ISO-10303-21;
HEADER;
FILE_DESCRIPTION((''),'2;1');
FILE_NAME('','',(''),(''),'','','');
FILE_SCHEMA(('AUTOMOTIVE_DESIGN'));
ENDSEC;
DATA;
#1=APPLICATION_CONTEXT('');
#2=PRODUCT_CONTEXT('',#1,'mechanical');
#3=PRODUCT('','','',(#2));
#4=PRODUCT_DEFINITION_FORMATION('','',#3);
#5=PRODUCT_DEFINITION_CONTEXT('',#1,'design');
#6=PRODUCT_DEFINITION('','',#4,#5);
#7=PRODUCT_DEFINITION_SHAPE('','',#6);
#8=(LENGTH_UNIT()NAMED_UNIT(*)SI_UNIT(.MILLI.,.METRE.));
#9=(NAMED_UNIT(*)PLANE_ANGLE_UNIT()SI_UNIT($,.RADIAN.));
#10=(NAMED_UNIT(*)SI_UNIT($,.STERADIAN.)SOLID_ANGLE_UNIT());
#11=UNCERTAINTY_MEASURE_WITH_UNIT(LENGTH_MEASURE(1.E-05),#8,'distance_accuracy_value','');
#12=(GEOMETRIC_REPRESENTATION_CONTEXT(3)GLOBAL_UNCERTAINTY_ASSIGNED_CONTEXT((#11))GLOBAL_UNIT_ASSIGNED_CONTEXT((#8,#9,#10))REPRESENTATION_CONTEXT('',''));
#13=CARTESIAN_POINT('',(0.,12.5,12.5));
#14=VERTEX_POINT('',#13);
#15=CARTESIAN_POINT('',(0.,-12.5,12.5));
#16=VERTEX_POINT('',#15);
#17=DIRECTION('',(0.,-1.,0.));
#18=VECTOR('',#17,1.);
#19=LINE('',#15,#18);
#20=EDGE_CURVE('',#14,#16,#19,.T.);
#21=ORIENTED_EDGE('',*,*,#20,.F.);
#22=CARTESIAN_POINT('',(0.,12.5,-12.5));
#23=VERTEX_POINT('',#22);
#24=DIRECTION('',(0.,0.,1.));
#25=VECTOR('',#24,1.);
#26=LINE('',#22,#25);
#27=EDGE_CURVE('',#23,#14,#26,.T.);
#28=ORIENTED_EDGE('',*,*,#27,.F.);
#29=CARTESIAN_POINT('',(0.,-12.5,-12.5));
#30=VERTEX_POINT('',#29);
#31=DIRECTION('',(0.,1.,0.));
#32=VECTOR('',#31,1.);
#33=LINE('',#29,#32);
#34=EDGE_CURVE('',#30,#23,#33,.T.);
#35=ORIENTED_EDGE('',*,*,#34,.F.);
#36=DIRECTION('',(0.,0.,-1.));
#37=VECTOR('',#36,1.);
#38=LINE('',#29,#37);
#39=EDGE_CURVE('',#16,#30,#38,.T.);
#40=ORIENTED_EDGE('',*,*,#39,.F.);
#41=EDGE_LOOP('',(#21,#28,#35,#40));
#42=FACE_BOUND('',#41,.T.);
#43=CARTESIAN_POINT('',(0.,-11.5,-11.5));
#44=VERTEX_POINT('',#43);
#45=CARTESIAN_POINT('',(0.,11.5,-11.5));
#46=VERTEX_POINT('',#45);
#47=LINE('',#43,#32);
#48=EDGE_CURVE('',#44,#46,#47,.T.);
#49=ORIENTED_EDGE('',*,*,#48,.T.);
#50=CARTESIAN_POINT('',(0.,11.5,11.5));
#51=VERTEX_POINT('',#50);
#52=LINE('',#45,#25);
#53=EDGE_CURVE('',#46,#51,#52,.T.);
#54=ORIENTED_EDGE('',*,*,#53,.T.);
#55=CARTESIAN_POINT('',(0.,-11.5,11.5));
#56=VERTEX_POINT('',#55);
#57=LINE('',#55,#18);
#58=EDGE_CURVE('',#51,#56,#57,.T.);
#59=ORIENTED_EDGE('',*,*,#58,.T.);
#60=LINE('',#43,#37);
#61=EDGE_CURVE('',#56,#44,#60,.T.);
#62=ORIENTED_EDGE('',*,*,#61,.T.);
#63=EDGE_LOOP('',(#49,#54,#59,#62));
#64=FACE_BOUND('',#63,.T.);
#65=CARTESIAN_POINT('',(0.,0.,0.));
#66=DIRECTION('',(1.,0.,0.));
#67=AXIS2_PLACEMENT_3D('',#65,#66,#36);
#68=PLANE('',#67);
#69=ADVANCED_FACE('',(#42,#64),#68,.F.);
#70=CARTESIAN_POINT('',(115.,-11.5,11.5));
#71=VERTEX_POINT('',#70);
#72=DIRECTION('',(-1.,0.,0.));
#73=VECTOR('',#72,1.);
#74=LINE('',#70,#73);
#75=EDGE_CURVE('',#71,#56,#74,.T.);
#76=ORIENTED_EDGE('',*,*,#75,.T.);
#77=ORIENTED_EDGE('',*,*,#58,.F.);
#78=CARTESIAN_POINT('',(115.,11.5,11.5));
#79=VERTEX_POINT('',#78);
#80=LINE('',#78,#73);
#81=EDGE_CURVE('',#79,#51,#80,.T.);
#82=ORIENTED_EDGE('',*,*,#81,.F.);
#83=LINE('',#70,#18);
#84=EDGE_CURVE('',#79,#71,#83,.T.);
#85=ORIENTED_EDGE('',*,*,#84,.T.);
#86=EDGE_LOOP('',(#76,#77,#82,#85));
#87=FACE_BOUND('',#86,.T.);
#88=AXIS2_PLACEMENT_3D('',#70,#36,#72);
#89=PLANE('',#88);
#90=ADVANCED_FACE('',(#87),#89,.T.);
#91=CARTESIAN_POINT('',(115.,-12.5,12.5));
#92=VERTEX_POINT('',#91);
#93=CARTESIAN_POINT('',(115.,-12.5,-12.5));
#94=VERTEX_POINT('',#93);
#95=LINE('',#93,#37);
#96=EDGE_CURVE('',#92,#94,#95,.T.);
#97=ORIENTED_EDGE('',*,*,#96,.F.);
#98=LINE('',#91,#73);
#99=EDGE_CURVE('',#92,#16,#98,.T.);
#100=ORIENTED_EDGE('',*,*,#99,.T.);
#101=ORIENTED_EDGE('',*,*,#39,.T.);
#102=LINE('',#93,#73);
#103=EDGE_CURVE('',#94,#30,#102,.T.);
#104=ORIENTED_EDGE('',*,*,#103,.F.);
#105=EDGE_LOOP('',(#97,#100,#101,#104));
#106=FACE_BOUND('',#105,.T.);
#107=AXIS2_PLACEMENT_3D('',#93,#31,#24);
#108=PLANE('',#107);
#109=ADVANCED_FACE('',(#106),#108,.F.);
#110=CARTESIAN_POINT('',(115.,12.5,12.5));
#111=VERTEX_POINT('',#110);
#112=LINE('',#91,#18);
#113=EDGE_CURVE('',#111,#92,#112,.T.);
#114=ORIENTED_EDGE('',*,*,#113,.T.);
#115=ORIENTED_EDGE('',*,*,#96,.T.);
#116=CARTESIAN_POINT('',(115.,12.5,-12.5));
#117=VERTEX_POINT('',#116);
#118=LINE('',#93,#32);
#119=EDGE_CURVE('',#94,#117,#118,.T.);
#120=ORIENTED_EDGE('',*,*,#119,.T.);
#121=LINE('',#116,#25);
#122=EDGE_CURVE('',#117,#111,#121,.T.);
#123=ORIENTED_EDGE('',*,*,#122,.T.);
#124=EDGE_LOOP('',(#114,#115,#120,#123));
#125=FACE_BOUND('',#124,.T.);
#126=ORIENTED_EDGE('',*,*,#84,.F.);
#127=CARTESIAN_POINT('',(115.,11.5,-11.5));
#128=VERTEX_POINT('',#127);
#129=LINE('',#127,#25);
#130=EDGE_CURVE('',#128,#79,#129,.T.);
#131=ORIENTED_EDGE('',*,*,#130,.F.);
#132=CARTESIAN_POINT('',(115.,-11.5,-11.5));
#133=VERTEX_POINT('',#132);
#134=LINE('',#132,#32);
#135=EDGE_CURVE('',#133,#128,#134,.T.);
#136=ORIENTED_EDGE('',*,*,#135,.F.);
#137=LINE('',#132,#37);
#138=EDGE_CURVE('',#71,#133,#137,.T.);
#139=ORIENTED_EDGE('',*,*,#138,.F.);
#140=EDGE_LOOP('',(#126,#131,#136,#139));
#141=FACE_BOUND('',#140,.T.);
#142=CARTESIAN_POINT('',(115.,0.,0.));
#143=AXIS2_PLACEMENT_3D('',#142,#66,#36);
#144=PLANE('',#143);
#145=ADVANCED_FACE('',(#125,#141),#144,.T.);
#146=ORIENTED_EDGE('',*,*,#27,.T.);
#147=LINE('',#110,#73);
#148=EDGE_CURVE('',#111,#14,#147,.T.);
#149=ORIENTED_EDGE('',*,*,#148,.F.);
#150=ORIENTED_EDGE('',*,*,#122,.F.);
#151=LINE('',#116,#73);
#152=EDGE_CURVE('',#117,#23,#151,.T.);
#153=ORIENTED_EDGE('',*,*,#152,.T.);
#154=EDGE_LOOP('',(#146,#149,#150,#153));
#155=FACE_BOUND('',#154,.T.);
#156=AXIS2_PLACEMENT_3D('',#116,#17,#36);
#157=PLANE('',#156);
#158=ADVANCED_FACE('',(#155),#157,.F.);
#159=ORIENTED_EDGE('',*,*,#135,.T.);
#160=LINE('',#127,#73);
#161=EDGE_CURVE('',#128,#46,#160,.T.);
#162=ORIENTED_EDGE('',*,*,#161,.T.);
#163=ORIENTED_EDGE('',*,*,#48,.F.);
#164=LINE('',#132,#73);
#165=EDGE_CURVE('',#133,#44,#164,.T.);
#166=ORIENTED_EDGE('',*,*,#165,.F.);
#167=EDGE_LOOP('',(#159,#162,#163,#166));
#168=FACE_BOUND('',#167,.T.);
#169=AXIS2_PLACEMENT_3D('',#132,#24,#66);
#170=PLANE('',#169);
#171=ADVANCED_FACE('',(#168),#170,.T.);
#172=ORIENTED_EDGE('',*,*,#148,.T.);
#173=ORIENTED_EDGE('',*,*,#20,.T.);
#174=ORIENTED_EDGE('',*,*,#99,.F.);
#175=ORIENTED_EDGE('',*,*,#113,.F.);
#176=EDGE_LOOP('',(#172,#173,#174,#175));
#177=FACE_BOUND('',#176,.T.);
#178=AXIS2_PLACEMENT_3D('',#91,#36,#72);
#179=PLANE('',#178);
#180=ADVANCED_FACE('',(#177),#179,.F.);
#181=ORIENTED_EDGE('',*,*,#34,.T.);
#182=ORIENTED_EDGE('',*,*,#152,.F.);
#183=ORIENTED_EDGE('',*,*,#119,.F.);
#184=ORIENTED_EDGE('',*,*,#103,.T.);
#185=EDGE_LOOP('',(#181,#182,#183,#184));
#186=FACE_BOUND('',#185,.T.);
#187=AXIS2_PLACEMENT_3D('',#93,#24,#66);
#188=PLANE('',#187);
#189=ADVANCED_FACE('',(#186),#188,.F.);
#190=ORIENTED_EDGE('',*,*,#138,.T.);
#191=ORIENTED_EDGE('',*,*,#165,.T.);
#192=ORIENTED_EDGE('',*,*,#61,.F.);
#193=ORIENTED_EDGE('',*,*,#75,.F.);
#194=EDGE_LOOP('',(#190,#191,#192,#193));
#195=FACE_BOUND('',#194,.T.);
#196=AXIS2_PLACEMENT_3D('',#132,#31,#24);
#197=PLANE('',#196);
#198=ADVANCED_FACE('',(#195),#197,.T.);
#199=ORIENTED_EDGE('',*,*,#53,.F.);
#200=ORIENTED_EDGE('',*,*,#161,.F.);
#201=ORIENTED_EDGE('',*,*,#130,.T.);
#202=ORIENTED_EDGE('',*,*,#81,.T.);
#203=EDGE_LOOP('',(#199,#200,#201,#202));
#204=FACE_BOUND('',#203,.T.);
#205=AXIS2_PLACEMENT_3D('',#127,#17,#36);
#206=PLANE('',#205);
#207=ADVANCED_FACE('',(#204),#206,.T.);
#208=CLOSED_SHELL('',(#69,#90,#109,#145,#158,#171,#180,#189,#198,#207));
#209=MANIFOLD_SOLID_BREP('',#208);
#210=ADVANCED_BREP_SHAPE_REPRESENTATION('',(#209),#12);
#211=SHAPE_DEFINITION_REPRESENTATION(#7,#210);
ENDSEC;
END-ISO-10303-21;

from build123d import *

# Parameters (mm, degrees)
SKETCH1_W           = 25
SKETCH1_H           = 25
SKETCH1_W_2         = 23
SKETCH1_H_2         = 23
BOSS_EXTRUDE1_DEPTH = 115


with BuildPart() as part:
    # Sketch1 → Boss-Extrude1 (new body)
    with BuildSketch(Plane(origin=(0, 0, 0), x_dir=(0, 0, -1), z_dir=(1, 0, 0))):
        Rectangle(SKETCH1_W, SKETCH1_H)
        Rectangle(SKETCH1_W_2, SKETCH1_H_2, mode=Mode.SUBTRACT)
    extrude(amount=BOSS_EXTRUDE1_DEPTH)


solid = part.part
